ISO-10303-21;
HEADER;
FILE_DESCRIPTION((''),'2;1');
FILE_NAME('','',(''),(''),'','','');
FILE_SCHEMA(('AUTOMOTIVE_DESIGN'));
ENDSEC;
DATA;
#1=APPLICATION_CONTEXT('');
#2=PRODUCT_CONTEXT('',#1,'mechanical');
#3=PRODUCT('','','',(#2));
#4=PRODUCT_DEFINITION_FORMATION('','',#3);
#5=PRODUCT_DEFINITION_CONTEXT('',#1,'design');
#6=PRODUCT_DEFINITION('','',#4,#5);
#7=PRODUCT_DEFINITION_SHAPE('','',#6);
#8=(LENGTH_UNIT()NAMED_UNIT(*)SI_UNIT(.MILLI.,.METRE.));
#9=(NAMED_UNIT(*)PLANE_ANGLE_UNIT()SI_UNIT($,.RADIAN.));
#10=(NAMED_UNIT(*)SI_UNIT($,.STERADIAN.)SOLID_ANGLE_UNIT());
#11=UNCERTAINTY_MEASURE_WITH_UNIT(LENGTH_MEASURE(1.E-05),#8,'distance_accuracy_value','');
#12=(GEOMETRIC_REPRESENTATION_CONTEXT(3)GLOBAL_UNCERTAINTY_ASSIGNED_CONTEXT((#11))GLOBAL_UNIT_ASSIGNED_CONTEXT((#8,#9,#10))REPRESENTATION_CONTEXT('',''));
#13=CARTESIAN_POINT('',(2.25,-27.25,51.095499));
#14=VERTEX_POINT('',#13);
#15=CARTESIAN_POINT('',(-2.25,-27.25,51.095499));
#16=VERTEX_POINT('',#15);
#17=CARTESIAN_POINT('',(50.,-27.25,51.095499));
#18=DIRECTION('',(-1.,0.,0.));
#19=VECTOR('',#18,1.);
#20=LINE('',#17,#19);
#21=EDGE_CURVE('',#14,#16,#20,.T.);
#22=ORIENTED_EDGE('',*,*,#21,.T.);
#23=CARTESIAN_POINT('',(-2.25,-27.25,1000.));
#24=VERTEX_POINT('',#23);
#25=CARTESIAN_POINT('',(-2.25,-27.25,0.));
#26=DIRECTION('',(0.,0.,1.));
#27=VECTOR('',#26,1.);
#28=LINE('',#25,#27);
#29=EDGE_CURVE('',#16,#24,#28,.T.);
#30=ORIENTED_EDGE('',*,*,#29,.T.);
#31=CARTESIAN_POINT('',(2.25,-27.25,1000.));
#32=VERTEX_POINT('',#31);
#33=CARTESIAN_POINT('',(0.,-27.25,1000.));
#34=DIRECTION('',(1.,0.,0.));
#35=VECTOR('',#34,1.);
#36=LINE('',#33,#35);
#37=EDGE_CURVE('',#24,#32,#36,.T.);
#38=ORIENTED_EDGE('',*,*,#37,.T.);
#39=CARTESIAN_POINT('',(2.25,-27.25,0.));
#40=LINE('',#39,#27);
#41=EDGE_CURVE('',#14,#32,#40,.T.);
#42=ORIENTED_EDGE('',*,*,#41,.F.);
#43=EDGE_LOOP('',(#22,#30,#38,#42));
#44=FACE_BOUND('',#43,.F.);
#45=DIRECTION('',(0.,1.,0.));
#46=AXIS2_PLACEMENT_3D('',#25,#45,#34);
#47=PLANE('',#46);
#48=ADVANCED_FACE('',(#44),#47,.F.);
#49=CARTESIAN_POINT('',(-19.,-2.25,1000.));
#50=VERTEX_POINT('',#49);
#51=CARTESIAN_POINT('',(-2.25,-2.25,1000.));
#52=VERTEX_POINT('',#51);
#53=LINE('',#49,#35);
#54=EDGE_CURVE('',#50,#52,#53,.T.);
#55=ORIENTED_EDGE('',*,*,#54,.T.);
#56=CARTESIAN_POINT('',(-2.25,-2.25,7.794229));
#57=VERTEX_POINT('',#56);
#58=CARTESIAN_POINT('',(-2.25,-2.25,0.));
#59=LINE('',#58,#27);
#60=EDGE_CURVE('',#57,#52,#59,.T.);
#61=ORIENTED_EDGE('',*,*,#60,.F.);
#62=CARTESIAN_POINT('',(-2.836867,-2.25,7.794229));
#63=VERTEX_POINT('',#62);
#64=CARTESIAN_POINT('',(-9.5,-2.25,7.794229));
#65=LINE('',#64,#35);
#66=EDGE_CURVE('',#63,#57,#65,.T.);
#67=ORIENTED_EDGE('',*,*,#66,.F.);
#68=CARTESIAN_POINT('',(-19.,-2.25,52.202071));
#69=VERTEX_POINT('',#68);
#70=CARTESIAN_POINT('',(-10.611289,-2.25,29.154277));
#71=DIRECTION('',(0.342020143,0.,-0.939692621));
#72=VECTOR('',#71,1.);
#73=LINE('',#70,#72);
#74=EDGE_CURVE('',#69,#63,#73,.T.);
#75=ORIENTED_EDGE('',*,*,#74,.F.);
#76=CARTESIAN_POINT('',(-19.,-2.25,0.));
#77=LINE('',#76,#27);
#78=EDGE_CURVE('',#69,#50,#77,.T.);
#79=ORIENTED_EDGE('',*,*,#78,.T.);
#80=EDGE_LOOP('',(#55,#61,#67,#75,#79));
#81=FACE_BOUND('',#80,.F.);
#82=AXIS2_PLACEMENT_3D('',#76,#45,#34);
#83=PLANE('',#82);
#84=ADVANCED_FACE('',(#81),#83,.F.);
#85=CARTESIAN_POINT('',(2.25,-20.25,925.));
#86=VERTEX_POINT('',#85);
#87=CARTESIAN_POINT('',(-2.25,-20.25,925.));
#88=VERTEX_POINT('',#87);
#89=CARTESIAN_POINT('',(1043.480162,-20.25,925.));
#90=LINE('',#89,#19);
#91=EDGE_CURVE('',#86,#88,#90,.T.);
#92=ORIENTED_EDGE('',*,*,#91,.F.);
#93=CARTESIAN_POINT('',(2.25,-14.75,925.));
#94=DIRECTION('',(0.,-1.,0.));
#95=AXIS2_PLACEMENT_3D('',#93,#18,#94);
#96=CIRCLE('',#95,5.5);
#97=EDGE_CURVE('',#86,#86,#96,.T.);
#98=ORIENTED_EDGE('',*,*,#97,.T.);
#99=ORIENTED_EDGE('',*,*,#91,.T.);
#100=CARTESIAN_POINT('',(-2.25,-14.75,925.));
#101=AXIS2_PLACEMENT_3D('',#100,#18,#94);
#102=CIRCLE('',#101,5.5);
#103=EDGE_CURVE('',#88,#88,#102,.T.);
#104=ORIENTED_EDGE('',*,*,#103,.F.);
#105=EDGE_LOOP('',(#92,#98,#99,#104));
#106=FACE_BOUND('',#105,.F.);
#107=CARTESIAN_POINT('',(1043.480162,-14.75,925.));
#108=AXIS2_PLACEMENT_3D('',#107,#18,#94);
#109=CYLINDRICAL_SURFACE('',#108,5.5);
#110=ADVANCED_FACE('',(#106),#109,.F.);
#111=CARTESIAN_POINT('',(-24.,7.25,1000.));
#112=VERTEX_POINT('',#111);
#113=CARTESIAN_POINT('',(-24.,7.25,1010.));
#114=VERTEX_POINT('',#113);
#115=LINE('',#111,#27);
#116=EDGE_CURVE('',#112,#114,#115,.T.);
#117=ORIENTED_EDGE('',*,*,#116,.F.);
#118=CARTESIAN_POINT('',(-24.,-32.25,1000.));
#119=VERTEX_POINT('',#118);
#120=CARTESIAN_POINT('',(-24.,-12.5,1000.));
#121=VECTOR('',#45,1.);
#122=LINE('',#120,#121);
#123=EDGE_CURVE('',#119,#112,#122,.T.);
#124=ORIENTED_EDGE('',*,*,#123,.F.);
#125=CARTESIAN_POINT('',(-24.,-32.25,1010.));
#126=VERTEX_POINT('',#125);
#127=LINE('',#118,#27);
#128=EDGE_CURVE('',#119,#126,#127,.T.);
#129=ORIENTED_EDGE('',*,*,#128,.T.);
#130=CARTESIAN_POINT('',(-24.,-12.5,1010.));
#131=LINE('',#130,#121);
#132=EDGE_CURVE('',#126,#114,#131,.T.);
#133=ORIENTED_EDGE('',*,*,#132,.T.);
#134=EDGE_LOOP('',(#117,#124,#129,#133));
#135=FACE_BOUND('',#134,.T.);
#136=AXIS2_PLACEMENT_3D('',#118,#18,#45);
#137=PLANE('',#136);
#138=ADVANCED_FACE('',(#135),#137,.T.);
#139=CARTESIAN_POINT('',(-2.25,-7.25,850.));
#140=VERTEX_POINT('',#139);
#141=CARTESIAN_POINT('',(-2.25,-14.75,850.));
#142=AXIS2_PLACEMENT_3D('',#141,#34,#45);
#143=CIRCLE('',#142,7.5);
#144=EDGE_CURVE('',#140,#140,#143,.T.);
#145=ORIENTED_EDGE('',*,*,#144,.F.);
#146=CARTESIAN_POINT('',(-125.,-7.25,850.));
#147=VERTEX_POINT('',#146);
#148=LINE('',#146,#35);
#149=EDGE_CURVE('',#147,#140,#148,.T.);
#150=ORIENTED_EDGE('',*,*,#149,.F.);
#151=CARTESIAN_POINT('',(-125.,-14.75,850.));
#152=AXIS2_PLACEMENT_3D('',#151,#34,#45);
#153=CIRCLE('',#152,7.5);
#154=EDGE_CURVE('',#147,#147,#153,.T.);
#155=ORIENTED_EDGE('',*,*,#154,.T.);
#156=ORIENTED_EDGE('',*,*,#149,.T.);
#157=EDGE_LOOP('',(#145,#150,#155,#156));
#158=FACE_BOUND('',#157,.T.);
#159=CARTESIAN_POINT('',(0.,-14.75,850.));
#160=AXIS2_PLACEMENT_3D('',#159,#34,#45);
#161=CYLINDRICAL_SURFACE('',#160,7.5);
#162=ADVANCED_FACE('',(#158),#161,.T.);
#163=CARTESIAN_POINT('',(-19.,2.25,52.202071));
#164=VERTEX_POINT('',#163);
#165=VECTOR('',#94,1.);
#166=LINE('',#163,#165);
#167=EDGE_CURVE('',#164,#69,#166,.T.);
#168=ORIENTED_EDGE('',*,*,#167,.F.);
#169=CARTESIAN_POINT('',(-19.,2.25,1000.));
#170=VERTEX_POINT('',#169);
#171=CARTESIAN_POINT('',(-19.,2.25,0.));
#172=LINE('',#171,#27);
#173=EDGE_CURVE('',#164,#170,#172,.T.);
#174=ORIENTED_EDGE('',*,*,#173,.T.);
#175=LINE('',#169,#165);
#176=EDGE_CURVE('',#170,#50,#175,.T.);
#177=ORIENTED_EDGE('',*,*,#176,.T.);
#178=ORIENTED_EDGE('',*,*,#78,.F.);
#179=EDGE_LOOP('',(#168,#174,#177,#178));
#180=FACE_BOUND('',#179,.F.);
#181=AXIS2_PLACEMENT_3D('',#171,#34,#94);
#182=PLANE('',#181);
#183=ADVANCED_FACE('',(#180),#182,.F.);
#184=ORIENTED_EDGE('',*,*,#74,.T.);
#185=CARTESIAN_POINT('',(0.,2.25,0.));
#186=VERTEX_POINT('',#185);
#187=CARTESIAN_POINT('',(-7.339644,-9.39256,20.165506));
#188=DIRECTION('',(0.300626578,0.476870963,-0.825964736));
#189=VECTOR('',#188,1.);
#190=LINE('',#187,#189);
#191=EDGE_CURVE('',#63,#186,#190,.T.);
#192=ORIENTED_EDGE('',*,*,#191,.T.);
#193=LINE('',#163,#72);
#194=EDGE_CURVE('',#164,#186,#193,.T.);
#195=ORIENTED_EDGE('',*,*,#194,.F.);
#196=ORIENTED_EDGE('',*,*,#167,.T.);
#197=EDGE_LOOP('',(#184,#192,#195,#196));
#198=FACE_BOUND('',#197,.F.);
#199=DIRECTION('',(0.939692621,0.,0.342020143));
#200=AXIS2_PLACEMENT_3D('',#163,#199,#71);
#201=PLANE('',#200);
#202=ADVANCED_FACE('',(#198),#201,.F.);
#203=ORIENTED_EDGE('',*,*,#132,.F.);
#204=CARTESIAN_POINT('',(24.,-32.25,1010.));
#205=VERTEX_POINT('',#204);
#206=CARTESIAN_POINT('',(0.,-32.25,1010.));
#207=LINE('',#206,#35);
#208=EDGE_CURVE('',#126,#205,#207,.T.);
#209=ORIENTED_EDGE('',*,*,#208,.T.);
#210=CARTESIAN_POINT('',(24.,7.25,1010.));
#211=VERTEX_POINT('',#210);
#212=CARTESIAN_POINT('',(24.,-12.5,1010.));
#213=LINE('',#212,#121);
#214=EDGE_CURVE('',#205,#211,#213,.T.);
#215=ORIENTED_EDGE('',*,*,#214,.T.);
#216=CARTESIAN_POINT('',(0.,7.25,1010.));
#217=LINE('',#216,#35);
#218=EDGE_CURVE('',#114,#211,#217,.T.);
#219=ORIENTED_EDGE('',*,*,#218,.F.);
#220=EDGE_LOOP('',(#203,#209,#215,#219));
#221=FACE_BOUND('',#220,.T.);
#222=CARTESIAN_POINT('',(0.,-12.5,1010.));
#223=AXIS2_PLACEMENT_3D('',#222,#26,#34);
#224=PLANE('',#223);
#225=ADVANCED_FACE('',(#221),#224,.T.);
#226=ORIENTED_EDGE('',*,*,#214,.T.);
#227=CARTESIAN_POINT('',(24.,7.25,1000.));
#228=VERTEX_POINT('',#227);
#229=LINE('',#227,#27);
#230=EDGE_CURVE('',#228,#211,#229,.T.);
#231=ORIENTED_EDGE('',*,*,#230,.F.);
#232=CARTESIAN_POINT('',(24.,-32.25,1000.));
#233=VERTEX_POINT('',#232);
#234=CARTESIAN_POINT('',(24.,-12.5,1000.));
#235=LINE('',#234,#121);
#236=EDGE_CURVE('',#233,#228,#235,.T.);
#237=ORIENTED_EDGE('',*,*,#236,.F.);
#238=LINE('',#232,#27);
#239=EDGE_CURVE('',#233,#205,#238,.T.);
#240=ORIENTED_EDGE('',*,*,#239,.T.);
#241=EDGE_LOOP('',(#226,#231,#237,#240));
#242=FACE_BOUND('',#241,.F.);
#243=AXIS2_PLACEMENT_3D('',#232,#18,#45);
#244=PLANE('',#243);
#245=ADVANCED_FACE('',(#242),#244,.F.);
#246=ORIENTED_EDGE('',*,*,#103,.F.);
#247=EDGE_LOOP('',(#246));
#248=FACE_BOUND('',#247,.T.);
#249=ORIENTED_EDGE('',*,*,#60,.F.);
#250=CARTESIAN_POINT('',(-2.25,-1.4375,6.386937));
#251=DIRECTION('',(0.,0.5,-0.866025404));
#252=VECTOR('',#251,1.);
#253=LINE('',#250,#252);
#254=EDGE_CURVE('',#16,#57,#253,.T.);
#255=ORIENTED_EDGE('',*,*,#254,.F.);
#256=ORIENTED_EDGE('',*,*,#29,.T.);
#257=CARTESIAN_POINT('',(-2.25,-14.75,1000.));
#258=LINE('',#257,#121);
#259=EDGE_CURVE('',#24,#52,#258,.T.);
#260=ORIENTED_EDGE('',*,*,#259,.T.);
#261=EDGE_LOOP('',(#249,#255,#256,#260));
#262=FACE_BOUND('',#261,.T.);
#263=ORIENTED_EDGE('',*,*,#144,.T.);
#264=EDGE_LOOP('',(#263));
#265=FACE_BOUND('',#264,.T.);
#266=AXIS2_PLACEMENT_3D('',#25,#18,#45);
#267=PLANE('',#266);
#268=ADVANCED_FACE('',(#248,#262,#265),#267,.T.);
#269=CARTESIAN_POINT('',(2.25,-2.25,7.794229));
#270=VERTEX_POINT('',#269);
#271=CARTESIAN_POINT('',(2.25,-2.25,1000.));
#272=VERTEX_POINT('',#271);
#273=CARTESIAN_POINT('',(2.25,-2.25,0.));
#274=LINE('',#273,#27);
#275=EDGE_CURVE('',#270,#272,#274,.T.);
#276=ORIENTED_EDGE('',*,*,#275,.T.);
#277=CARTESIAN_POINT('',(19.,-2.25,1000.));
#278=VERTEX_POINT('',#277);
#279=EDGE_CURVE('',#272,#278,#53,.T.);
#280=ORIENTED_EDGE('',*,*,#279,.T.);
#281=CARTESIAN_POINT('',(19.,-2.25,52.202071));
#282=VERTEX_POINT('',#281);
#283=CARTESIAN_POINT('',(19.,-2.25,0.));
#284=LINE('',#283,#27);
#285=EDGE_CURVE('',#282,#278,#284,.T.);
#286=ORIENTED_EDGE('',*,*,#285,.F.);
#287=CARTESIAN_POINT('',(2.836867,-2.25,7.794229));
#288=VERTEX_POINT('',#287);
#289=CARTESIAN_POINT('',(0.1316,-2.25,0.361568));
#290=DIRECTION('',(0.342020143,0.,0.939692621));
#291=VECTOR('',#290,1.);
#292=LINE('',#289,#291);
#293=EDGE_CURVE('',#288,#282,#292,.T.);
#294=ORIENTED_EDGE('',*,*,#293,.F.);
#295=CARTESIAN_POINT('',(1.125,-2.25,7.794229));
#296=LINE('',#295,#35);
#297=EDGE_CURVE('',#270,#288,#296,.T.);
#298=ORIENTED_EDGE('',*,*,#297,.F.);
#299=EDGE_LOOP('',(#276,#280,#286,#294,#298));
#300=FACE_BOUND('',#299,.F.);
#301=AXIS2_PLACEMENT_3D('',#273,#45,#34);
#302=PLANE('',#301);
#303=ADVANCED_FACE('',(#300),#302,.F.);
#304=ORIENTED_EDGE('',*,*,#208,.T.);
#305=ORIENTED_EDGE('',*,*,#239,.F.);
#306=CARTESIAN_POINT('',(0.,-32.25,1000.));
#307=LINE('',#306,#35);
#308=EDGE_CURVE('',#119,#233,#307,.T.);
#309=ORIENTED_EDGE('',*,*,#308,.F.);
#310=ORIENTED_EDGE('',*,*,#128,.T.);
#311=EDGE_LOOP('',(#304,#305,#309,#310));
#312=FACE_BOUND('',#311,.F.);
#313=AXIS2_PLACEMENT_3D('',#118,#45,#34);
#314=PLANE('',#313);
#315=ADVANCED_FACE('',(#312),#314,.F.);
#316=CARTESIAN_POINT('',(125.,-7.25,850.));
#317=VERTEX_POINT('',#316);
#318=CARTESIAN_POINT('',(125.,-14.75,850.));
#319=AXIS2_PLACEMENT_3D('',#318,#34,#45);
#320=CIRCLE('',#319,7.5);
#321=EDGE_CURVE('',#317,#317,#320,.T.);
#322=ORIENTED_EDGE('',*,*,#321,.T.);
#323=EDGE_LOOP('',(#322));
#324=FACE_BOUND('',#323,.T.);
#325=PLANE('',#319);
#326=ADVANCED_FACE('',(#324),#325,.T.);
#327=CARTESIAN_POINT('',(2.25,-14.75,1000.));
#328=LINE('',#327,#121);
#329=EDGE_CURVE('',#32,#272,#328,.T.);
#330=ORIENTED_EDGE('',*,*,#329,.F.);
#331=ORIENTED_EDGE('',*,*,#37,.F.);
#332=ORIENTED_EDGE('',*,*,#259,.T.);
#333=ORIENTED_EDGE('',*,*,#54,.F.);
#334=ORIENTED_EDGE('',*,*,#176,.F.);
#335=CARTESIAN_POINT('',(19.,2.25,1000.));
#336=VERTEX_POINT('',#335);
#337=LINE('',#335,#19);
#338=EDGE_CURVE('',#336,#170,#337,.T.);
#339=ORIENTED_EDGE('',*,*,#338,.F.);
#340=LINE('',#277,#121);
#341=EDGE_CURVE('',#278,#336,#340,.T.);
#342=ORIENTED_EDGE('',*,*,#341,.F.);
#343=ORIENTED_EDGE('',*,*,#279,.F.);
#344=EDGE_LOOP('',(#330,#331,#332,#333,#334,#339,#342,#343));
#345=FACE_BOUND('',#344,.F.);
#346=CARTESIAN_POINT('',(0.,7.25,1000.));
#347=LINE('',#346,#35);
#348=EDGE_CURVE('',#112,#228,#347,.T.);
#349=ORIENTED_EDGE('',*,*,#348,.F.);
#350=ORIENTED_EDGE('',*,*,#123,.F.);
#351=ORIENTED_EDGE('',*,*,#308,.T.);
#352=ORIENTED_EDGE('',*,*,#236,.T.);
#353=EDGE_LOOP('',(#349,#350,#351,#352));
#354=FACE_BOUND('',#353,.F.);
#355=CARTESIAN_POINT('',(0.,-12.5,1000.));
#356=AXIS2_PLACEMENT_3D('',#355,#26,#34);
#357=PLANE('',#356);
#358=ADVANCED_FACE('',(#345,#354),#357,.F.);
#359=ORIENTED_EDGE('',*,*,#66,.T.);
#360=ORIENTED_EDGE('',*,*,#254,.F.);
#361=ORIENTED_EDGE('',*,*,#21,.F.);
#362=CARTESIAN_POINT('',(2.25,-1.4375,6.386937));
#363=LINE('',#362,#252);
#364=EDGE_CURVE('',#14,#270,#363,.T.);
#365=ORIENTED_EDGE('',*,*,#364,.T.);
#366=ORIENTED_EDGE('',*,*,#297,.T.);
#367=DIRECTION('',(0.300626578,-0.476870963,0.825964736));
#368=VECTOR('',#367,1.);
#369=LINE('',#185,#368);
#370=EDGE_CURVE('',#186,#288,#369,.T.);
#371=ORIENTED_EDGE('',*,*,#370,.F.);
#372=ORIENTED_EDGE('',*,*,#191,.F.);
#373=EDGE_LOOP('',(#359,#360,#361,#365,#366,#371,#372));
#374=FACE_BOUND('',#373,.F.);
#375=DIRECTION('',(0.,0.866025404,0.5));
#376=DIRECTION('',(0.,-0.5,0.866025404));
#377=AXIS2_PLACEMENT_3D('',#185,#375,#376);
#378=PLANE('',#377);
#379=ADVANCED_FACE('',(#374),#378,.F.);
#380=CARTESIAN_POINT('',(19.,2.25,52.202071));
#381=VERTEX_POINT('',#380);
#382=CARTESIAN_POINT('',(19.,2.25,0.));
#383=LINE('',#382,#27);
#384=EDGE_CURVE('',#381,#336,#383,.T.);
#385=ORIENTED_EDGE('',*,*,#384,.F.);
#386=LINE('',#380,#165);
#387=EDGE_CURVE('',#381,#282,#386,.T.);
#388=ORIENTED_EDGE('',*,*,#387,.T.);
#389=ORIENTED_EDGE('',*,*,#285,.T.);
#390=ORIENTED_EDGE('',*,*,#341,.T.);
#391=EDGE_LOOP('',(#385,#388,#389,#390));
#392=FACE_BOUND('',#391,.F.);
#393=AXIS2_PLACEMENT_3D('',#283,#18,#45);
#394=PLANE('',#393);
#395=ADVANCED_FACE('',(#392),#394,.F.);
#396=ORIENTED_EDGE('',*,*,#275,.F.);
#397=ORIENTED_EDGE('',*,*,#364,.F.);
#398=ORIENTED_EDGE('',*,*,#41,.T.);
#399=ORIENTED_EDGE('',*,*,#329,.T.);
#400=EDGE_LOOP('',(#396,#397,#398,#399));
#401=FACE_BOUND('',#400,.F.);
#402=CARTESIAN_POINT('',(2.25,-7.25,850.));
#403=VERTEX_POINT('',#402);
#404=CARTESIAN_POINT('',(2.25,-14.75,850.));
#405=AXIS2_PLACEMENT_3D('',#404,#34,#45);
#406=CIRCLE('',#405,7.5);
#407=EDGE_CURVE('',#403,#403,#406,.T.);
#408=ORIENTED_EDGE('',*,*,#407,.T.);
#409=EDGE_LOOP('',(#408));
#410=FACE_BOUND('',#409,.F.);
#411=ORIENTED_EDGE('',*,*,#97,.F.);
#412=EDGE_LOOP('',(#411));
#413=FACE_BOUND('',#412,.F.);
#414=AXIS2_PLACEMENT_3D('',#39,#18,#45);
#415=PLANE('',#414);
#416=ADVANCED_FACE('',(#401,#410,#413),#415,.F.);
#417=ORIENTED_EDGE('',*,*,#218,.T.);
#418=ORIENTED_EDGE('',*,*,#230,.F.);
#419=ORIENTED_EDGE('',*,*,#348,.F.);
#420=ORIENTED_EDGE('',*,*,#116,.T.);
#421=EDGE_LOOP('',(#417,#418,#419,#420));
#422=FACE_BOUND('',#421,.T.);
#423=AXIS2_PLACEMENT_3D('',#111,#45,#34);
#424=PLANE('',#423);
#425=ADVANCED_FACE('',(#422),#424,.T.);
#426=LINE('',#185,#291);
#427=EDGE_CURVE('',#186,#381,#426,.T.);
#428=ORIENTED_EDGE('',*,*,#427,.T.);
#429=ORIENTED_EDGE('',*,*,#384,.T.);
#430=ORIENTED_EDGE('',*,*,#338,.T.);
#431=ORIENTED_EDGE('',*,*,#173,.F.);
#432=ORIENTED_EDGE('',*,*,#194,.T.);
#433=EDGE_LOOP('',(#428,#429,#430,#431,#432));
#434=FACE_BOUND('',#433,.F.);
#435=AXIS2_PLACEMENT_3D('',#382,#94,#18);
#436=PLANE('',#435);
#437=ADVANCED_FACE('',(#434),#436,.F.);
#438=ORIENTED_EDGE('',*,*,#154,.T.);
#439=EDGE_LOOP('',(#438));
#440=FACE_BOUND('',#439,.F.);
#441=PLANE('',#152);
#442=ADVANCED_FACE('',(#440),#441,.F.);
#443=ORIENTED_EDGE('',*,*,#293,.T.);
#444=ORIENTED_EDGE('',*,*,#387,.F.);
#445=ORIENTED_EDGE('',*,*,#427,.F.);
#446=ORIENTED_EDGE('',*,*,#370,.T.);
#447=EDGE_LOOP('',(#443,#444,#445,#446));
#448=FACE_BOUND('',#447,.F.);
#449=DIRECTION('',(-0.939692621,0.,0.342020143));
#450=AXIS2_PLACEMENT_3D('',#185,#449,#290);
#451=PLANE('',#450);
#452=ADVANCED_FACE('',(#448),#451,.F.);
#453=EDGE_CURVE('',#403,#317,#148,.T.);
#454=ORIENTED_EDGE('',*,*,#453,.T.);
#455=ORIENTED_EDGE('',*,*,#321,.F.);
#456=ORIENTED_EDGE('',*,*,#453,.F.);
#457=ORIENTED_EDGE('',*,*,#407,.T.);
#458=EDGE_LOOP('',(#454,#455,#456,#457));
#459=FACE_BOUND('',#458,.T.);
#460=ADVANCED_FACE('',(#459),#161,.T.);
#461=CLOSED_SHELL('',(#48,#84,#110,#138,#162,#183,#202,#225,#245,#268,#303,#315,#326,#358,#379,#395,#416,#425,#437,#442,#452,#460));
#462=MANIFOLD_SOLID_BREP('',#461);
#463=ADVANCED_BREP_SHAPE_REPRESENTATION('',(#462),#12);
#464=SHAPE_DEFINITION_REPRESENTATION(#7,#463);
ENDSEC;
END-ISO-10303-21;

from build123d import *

# Parameters (mm, degrees)
F0_W     = 4.5
F0_H     = 25
F1_DEPTH = 1000
F2_R     = 7.5
F3_DEPTH = 125
F4_W     = 48
F4_H     = 39.5
F5_DEPTH = 10
F7_DEPTH = 50
F9_DEPTH = 34.501
F11_D    = 11


with BuildPart() as f1:
    # F0 (on Top) → F1 (new body)
    with BuildSketch(Plane.XY):
        Polygon((2.25, -2.25), (19, -2.25), (19, 2.25), (-19, 2.25), (-19, -2.25), (-2.25, -2.25), align=None)
        with Locations((0, -14.75)):
            Rectangle(F0_W, F0_H)
    extrude(amount=F1_DEPTH)

    # F2 (on Right) → F3 (join, symmetric)
    with BuildSketch(Plane.YZ):
        with Locations((-14.75, 850)):
            Circle(F2_R)
    extrude(amount=F3_DEPTH, both=True)

    # F4 (on face) → F5 (join)
    with BuildSketch(Plane.XY.offset(1000)):
        with Locations((0, -12.5)):
            Rectangle(F4_W, F4_H)
    extrude(amount=F5_DEPTH)

    # F6 (on Right) → F7 (cut, symmetric)
    with BuildSketch(Plane.YZ):
        Polygon((-27.25, 0), (2.25, 0), (-27.25, 51.0954988233), align=None)
    extrude(amount=F7_DEPTH, both=True, mode=Mode.SUBTRACT)

    # F8 (on face) → F9 (cut, through all)
    with BuildSketch(Plane(origin=(0, 2.25, 0), x_dir=(-1, 0, 0), z_dir=(0, 1, 0))):
        Polygon((-19, 0), (0, 0), (-19, 52.2020709696), align=None)
        Polygon((19, 52.2020709696), (0, 0), (19, 0), align=None)
    extrude(amount=-F9_DEPTH, mode=Mode.SUBTRACT)

    # F11 (through all)
    with Locations(Plane.YZ.offset(2.25)):
        with Locations((-14.75, 925)):
            Hole(F11_D / 2)


solid = f1.part
